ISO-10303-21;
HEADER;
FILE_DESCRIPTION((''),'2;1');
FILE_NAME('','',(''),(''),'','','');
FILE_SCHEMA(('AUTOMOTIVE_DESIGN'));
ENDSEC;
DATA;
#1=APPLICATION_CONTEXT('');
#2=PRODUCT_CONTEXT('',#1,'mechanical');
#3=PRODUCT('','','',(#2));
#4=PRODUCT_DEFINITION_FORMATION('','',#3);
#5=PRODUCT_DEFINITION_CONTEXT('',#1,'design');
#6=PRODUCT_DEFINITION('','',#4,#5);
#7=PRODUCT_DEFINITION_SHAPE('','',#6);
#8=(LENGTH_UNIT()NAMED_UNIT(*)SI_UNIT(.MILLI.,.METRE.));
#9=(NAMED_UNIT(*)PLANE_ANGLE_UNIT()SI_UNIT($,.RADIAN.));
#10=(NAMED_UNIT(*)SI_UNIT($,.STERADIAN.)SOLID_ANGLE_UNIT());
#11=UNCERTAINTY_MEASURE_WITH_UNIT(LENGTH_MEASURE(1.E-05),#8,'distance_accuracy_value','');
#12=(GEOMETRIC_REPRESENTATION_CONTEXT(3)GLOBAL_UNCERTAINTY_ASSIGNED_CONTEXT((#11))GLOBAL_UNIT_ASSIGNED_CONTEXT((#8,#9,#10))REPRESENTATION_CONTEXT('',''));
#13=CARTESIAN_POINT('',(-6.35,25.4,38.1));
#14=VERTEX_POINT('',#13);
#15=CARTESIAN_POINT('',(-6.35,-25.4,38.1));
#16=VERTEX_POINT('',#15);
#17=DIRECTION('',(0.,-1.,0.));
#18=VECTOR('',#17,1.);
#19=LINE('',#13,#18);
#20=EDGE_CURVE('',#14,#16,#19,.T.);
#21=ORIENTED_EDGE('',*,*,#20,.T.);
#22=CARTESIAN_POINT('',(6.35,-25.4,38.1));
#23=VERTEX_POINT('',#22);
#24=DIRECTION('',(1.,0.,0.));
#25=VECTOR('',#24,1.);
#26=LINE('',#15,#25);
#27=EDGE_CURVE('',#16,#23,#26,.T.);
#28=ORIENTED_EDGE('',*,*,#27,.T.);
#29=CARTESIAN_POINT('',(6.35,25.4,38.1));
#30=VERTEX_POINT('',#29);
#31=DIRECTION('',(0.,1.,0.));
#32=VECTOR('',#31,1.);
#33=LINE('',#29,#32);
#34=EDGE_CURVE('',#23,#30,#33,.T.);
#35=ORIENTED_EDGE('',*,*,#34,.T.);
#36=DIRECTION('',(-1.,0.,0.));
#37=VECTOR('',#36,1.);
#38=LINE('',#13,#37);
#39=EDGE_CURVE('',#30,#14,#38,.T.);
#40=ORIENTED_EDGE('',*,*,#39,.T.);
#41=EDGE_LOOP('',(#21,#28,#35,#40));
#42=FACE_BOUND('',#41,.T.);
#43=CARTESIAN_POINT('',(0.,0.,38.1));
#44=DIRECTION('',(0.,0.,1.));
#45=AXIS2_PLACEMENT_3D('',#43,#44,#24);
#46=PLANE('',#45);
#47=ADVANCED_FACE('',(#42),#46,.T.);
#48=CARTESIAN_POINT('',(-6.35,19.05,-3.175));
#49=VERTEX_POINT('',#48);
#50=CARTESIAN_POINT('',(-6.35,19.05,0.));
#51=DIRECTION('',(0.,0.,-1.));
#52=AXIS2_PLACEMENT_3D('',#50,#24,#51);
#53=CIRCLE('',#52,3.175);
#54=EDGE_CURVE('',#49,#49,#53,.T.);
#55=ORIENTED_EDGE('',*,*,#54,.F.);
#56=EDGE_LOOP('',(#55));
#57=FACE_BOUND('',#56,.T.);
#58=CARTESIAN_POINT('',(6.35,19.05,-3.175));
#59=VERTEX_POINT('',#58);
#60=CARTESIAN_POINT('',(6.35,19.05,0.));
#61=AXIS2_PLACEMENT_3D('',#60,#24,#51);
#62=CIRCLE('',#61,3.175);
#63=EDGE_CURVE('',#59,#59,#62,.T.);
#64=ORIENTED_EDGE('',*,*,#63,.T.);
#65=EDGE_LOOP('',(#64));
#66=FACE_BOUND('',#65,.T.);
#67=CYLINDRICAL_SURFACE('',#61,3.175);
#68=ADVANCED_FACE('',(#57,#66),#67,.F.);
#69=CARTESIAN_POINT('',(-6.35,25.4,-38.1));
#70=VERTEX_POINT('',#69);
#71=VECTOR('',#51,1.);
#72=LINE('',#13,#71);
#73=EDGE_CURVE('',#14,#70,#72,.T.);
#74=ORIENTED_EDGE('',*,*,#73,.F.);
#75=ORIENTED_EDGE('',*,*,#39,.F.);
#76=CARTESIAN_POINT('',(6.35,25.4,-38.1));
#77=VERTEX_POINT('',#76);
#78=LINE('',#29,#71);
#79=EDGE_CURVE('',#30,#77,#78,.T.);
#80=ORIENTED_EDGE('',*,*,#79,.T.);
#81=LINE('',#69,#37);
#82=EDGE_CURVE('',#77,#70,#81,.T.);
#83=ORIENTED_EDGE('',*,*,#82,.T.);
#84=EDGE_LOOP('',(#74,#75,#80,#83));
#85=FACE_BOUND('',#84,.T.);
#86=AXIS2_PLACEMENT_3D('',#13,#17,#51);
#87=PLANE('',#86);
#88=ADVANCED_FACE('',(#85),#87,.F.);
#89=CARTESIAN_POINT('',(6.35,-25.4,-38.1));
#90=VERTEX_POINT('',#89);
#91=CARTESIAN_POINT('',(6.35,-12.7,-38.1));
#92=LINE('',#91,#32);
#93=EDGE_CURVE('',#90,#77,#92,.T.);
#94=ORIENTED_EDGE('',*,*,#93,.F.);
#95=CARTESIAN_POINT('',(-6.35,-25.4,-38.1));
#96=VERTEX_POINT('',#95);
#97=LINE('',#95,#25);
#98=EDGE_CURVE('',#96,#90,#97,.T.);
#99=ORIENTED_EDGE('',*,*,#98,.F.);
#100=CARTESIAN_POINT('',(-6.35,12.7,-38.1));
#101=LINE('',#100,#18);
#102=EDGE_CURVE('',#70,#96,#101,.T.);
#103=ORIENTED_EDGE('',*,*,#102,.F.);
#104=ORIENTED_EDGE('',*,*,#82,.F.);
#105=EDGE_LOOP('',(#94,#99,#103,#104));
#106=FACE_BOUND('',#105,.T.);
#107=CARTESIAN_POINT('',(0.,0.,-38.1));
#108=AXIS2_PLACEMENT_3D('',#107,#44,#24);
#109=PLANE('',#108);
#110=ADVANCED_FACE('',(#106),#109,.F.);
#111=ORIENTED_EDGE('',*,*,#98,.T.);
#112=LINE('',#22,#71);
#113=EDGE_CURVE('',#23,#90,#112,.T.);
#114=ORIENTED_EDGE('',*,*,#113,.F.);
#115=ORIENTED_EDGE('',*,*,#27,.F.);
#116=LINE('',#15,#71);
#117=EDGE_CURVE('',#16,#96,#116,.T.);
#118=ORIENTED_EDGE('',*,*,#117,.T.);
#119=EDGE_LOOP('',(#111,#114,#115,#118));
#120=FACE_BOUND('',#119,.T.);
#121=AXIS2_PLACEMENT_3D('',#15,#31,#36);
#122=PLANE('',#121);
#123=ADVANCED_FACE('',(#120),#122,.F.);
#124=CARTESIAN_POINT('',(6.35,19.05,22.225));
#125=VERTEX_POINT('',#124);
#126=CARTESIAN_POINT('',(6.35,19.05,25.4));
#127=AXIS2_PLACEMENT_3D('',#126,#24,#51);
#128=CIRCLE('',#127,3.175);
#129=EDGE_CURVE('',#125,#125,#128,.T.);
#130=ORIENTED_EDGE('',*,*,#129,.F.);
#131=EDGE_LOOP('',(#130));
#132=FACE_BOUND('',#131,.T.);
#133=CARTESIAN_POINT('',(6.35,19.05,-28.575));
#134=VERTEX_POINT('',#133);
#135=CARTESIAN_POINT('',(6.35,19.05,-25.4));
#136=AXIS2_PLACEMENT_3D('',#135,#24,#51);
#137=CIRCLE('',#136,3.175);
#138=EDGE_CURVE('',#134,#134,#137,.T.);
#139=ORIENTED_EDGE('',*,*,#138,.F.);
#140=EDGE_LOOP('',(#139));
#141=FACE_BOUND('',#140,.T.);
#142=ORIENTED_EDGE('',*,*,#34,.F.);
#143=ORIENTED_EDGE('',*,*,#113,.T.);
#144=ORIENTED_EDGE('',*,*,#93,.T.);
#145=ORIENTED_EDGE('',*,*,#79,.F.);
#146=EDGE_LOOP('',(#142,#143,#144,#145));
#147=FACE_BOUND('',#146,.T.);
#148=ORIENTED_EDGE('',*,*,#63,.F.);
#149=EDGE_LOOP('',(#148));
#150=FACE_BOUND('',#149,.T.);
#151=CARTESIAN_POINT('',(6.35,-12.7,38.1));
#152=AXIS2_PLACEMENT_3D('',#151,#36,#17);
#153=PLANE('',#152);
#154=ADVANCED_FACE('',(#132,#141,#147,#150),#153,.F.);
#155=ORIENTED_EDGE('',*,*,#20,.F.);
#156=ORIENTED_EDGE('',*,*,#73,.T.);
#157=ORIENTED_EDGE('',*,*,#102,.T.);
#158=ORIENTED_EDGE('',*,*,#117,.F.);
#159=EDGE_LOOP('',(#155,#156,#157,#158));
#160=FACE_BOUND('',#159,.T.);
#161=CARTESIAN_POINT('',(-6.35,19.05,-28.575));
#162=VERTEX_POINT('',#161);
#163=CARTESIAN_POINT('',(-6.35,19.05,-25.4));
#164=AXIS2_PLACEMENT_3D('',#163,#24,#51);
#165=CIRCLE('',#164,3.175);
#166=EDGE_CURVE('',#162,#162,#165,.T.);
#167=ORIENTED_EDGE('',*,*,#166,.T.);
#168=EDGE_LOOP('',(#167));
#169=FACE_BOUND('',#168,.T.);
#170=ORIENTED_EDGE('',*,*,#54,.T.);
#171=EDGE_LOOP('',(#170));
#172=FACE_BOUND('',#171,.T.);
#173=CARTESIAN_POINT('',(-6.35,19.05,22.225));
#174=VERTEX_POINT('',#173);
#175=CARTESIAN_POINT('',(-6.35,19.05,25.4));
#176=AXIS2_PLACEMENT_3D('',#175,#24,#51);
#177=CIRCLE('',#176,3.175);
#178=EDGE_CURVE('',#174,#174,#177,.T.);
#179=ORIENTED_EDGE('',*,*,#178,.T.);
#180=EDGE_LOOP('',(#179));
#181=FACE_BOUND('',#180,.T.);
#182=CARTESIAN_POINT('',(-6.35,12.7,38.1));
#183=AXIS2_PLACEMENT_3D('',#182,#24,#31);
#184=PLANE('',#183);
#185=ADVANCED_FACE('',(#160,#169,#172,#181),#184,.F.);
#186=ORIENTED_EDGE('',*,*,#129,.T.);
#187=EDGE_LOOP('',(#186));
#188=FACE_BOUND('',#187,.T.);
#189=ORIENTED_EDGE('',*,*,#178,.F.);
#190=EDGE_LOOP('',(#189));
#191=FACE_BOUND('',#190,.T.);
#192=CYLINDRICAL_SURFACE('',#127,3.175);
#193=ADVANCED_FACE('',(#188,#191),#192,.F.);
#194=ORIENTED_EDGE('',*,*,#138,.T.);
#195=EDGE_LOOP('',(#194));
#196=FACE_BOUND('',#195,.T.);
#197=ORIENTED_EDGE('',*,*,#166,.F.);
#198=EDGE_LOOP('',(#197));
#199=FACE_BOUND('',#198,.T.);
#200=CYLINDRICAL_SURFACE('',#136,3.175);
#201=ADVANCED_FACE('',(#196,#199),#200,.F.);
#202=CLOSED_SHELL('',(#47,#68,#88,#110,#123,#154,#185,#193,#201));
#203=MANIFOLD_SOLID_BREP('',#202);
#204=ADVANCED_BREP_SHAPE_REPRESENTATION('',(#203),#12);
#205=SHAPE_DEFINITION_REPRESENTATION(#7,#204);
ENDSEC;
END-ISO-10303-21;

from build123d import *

# Parameters (mm, degrees)
BOSS_EXTRUDE1_DEPTH      = 38.1
F_1_4_20_THREADED_HOLE_D = 6.35


with BuildPart() as part:
    # Sketch2 → Boss-Extrude1 (new, symmetric)
    with BuildSketch(Plane.XY):
        Polygon((-6.35, 25.4), (6.35, 25.4), (6.35, -12.7), (6.35, -25.4), (-6.35, -25.4), (-6.35, 12.7), align=None)
    extrude(amount=BOSS_EXTRUDE1_DEPTH, both=True)

    # 1/4"-20 threaded hole (through all)
    with Locations(Plane(origin=(6.35, 0, 0), x_dir=(0, 0, -1), z_dir=(1, 0, 0))):
        with Locations((-25.4, 19.05), (0, 19.05), (25.4, 19.05)):
            Hole(F_1_4_20_THREADED_HOLE_D / 2)


solid = part.part
